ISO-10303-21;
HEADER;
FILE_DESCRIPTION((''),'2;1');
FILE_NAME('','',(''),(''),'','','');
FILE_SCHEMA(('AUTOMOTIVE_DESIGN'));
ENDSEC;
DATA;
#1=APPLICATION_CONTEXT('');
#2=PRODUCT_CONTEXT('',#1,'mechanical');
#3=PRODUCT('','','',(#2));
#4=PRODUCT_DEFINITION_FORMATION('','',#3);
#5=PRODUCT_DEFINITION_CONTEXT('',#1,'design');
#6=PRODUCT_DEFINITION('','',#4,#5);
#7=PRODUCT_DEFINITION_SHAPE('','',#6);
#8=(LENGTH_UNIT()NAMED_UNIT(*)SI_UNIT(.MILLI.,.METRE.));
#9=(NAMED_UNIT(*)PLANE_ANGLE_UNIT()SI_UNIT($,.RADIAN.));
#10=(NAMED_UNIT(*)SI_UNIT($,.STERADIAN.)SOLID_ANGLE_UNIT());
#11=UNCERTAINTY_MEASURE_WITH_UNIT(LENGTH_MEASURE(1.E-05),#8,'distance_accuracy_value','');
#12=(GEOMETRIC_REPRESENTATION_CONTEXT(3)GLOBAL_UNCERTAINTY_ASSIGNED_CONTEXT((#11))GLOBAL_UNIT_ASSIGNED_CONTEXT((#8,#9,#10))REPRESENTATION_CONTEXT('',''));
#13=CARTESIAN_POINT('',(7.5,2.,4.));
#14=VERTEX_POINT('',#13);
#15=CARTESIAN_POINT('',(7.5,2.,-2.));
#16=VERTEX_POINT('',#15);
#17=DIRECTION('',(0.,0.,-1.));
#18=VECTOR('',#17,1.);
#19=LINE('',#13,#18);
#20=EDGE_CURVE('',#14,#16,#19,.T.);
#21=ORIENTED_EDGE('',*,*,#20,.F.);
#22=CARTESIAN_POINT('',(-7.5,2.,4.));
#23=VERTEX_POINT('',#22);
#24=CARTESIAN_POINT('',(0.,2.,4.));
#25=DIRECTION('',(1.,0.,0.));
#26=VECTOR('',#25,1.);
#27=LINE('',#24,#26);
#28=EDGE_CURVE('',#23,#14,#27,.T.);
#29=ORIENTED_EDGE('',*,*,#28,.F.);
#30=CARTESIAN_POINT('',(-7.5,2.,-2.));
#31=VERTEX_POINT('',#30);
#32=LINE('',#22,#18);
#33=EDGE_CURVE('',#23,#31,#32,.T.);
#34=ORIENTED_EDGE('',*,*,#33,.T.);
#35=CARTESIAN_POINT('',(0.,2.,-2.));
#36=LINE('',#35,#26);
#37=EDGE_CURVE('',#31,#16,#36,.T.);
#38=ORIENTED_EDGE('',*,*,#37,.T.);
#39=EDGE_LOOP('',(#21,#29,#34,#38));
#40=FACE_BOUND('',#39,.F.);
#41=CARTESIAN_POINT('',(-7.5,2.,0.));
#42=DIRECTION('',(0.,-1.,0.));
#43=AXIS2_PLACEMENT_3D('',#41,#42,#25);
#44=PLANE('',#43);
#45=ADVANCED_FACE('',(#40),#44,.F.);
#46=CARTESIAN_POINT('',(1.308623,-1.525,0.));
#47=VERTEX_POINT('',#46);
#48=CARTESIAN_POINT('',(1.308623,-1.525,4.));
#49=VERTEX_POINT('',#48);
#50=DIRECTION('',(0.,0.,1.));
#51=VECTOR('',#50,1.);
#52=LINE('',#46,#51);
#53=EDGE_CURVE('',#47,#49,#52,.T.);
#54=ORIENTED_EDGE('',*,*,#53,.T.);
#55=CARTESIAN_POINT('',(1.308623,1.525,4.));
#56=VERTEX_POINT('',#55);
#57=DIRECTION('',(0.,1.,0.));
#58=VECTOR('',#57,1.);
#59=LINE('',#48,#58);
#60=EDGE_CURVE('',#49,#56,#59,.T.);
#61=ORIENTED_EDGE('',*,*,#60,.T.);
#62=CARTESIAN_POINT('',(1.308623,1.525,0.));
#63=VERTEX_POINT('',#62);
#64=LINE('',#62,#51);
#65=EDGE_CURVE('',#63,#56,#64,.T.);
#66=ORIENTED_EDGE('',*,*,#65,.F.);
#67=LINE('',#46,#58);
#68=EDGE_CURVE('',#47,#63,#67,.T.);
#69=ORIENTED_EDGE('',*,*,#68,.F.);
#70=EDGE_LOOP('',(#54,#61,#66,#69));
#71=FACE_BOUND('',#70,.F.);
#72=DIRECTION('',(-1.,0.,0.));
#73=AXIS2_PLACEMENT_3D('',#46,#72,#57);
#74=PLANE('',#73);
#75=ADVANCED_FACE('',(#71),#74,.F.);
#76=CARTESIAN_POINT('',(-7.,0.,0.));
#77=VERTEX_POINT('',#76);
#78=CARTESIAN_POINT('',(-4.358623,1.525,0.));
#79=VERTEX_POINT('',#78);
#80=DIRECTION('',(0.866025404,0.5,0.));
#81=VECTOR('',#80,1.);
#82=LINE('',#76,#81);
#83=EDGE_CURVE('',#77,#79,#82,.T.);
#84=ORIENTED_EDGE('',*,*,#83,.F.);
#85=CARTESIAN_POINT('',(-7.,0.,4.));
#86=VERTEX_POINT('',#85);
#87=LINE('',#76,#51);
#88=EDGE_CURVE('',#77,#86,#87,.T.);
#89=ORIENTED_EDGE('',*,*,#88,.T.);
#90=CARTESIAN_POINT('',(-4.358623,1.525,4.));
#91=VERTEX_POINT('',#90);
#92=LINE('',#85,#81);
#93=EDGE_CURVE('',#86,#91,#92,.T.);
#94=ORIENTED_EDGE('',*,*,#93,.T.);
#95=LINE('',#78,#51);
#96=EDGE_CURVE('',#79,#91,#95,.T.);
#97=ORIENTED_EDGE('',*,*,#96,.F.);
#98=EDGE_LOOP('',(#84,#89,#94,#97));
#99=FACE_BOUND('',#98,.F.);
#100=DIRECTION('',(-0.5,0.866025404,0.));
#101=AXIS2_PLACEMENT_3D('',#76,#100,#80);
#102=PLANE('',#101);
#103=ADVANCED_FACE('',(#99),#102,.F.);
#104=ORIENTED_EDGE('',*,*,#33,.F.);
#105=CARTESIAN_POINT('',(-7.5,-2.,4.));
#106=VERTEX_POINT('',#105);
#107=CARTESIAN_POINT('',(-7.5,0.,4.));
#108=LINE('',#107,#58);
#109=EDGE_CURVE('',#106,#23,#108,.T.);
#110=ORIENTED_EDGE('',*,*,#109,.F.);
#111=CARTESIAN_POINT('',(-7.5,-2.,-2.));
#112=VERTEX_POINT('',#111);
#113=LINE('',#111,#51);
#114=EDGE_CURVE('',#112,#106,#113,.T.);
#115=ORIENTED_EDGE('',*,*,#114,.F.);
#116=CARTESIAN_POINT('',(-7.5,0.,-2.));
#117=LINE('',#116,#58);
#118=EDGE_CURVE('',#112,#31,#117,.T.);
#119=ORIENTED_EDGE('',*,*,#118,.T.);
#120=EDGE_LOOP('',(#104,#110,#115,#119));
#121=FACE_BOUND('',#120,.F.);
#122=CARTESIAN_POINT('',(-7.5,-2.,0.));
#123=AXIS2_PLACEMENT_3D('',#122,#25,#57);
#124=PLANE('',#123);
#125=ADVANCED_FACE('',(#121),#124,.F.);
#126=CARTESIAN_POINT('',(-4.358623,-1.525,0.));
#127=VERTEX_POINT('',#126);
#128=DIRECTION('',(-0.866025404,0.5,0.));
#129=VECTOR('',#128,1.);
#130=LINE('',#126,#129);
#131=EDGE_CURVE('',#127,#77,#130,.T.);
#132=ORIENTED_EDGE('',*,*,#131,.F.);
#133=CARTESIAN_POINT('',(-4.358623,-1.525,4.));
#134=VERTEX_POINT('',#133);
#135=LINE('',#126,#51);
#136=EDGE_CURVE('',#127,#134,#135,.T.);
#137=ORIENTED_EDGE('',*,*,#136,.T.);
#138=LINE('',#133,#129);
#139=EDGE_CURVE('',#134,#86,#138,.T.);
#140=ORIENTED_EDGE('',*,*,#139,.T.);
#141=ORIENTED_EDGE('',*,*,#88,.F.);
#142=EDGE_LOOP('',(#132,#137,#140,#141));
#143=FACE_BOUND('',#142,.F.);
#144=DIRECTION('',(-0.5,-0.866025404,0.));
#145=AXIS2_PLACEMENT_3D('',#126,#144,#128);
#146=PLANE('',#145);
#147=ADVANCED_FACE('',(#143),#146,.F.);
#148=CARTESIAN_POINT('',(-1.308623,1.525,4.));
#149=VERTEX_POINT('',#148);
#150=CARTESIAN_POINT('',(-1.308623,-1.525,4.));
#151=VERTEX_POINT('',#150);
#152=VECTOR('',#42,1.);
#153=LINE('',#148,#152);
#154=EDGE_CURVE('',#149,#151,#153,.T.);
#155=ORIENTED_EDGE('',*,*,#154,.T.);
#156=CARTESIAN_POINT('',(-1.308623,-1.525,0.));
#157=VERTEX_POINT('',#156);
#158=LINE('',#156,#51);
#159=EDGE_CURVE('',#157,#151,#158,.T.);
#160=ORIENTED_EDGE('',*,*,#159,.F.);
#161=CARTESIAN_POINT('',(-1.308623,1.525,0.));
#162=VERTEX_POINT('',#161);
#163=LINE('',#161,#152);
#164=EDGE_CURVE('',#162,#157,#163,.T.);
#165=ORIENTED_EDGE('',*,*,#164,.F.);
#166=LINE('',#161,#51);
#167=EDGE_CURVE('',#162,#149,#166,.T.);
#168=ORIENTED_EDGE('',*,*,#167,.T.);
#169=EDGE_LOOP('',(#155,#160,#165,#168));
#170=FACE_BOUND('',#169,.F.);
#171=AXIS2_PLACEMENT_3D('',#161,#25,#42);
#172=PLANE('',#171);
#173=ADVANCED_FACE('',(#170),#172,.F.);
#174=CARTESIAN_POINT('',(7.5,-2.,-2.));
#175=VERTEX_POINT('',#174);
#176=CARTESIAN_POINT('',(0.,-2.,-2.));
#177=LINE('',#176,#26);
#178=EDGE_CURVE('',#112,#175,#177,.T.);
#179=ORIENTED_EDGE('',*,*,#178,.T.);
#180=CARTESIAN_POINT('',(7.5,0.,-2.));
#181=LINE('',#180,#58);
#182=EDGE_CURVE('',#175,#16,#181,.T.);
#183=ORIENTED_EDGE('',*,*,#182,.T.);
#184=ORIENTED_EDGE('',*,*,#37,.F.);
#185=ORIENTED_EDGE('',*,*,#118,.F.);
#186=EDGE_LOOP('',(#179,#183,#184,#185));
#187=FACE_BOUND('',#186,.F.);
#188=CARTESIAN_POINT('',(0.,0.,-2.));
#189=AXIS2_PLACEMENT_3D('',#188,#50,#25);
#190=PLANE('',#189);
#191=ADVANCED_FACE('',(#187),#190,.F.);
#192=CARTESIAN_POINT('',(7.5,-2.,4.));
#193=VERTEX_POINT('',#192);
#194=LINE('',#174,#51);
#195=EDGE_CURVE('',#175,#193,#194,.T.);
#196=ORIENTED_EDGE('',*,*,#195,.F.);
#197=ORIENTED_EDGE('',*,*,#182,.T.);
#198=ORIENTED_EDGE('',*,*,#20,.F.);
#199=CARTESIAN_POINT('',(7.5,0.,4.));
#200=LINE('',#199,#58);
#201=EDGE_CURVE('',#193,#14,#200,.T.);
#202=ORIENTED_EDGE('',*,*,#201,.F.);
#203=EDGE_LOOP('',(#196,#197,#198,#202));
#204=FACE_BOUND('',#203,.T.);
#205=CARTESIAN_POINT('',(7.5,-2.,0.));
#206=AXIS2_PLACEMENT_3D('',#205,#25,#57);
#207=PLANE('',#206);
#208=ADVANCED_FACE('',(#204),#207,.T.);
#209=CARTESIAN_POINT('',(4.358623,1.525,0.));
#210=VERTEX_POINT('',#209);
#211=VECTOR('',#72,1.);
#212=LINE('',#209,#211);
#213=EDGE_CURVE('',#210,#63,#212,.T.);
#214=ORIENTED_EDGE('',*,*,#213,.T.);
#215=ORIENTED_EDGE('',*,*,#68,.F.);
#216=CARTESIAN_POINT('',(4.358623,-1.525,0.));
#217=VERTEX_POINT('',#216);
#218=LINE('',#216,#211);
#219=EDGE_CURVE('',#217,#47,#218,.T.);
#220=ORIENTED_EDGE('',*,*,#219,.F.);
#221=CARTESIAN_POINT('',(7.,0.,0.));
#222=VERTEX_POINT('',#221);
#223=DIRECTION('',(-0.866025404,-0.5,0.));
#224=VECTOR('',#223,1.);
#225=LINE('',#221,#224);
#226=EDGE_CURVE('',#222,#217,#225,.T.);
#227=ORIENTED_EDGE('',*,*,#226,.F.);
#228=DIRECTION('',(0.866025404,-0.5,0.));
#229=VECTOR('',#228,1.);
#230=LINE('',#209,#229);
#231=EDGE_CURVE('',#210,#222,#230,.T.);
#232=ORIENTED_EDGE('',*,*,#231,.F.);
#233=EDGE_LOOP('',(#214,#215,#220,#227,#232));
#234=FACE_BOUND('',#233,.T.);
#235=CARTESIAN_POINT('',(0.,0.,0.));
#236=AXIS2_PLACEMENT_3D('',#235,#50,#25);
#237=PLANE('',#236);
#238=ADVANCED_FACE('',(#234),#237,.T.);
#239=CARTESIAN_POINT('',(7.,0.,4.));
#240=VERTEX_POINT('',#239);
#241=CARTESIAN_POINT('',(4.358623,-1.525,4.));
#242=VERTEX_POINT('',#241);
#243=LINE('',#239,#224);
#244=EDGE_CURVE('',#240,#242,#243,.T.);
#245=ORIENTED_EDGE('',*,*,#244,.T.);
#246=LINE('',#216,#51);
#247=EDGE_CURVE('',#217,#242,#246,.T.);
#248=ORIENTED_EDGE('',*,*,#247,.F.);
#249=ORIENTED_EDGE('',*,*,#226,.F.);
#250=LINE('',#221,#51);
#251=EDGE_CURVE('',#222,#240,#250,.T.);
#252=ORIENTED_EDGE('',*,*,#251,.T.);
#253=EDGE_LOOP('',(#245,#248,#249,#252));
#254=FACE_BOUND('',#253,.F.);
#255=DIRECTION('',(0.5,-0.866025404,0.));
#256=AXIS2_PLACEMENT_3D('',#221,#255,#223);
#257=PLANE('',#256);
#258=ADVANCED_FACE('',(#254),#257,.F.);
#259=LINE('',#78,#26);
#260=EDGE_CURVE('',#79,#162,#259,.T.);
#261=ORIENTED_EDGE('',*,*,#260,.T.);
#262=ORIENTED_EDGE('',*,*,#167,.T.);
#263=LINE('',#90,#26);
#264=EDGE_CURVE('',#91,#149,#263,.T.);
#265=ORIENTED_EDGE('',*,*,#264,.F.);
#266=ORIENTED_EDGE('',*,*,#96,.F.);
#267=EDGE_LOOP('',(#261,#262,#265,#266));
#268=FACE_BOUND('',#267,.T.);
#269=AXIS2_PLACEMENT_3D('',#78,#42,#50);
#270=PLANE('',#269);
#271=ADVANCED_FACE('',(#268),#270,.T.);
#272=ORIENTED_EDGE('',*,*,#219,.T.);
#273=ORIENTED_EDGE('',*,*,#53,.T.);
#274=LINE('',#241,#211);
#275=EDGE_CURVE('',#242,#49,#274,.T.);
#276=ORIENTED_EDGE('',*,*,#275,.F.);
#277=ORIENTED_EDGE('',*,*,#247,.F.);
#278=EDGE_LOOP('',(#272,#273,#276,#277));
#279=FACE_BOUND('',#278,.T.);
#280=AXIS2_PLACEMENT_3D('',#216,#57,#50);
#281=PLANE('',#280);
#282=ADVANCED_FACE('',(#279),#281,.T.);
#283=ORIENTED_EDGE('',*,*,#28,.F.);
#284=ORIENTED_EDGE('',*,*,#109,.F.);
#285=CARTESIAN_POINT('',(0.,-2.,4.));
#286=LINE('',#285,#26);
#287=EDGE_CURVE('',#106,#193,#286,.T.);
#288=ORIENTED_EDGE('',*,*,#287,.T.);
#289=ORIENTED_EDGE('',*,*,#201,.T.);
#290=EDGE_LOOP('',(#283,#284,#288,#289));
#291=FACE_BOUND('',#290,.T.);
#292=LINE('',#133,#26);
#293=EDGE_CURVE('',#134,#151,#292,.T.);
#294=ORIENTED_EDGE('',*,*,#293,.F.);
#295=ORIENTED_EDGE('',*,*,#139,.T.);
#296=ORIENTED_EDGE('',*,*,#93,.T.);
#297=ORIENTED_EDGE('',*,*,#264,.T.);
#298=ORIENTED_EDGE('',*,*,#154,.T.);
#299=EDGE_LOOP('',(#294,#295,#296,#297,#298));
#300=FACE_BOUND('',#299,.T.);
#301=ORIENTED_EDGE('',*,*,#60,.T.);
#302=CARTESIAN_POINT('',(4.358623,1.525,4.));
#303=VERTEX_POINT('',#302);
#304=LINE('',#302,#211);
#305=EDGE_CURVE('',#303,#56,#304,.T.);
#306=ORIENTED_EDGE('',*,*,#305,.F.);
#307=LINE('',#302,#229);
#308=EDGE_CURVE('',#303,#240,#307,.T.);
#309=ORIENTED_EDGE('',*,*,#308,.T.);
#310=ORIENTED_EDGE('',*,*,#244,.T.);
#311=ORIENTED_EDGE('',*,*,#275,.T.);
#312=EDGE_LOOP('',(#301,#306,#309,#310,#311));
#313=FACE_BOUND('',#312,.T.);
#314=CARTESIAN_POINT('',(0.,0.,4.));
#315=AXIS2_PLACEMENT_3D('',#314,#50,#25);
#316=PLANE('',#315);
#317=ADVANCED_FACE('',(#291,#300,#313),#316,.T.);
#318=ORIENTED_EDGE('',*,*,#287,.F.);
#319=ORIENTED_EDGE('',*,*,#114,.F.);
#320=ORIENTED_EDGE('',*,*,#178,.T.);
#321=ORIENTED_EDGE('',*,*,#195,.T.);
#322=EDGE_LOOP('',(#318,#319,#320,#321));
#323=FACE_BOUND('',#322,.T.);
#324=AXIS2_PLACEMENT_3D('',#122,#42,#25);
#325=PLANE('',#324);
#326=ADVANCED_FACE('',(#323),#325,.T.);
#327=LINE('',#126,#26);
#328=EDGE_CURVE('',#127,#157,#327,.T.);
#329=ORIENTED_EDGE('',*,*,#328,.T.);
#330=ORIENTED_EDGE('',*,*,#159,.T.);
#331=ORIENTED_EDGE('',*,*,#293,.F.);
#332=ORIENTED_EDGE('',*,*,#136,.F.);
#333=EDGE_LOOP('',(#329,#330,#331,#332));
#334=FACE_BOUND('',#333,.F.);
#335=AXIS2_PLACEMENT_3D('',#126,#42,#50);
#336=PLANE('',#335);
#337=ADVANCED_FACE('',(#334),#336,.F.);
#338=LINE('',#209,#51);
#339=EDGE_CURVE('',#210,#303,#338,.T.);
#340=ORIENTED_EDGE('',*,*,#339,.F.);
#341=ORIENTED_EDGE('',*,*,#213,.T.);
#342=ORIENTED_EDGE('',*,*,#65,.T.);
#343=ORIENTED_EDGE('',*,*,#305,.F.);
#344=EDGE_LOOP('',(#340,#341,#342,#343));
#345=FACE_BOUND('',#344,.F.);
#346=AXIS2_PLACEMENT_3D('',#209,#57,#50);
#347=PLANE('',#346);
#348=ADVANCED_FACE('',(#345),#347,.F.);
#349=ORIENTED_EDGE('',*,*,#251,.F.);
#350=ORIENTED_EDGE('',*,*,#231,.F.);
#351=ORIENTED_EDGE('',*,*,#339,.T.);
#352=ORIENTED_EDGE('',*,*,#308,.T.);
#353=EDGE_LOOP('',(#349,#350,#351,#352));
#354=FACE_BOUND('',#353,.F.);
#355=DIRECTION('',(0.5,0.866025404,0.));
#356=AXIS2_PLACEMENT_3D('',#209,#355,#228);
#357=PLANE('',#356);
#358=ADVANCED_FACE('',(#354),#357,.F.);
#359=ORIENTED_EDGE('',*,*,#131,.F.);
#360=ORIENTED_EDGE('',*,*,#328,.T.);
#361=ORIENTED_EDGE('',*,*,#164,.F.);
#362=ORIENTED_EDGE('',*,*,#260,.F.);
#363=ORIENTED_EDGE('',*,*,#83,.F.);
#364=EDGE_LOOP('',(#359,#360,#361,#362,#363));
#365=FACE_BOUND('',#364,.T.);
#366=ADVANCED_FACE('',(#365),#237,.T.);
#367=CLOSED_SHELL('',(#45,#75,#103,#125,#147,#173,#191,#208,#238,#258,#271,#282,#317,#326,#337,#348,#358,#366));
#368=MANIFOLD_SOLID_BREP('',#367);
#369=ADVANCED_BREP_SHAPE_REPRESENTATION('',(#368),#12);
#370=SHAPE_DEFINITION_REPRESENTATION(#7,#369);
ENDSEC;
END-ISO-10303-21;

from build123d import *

# Parameters (mm, degrees)
F0_W     = 15
F0_H     = 4
F1_DEPTH = 4
F2_DEPTH = 2
F3_DEPTH = 3.05
F4_DEPTH = 3.05


with BuildPart() as f1:
    # F0 (on Top) → F1 (new body)
    with BuildSketch(Plane.XY):
        Rectangle(F0_W, F0_H)
        Polygon((-4.3586225185, -1.525), (-7, 0), (-4.3586225185, 1.525), align=None, mode=Mode.SUBTRACT)
        Polygon((4.3586225185, 1.525), (7, 0), (4.3586225185, -1.525), align=None, mode=Mode.SUBTRACT)
    extrude(amount=F1_DEPTH)

    # F0 (on Top) → F2 (join)
    with BuildSketch(Plane.XY):
        Rectangle(F0_W, F0_H)
        Polygon((-4.3586225185, -1.525), (-7, 0), (-4.3586225185, 1.525), align=None, mode=Mode.SUBTRACT)
        Polygon((4.3586225185, 1.525), (7, 0), (4.3586225185, -1.525), align=None, mode=Mode.SUBTRACT)
        Polygon((-4.3586225185, 1.525), (-7, 0), (-4.3586225185, -1.525), align=None)
        Polygon((4.3586225185, -1.525), (7, 0), (4.3586225185, 1.525), align=None)
    extrude(amount=-F2_DEPTH)

    # F3 (cut): a face of the model
    f3_faces = [f1.faces().sort_by_distance(p)[0] for p in [
        (4.3586225185, 0, 2),
    ]]
    extrude(f3_faces, amount=-F3_DEPTH, mode=Mode.SUBTRACT)

    # F4 (cut): a face of the model
    f4_faces = [f1.faces().sort_by_distance(p)[0] for p in [
        (-4.3586225185, 0, 2),
    ]]
    extrude(f4_faces, amount=-F4_DEPTH, mode=Mode.SUBTRACT)


solid = f1.part
